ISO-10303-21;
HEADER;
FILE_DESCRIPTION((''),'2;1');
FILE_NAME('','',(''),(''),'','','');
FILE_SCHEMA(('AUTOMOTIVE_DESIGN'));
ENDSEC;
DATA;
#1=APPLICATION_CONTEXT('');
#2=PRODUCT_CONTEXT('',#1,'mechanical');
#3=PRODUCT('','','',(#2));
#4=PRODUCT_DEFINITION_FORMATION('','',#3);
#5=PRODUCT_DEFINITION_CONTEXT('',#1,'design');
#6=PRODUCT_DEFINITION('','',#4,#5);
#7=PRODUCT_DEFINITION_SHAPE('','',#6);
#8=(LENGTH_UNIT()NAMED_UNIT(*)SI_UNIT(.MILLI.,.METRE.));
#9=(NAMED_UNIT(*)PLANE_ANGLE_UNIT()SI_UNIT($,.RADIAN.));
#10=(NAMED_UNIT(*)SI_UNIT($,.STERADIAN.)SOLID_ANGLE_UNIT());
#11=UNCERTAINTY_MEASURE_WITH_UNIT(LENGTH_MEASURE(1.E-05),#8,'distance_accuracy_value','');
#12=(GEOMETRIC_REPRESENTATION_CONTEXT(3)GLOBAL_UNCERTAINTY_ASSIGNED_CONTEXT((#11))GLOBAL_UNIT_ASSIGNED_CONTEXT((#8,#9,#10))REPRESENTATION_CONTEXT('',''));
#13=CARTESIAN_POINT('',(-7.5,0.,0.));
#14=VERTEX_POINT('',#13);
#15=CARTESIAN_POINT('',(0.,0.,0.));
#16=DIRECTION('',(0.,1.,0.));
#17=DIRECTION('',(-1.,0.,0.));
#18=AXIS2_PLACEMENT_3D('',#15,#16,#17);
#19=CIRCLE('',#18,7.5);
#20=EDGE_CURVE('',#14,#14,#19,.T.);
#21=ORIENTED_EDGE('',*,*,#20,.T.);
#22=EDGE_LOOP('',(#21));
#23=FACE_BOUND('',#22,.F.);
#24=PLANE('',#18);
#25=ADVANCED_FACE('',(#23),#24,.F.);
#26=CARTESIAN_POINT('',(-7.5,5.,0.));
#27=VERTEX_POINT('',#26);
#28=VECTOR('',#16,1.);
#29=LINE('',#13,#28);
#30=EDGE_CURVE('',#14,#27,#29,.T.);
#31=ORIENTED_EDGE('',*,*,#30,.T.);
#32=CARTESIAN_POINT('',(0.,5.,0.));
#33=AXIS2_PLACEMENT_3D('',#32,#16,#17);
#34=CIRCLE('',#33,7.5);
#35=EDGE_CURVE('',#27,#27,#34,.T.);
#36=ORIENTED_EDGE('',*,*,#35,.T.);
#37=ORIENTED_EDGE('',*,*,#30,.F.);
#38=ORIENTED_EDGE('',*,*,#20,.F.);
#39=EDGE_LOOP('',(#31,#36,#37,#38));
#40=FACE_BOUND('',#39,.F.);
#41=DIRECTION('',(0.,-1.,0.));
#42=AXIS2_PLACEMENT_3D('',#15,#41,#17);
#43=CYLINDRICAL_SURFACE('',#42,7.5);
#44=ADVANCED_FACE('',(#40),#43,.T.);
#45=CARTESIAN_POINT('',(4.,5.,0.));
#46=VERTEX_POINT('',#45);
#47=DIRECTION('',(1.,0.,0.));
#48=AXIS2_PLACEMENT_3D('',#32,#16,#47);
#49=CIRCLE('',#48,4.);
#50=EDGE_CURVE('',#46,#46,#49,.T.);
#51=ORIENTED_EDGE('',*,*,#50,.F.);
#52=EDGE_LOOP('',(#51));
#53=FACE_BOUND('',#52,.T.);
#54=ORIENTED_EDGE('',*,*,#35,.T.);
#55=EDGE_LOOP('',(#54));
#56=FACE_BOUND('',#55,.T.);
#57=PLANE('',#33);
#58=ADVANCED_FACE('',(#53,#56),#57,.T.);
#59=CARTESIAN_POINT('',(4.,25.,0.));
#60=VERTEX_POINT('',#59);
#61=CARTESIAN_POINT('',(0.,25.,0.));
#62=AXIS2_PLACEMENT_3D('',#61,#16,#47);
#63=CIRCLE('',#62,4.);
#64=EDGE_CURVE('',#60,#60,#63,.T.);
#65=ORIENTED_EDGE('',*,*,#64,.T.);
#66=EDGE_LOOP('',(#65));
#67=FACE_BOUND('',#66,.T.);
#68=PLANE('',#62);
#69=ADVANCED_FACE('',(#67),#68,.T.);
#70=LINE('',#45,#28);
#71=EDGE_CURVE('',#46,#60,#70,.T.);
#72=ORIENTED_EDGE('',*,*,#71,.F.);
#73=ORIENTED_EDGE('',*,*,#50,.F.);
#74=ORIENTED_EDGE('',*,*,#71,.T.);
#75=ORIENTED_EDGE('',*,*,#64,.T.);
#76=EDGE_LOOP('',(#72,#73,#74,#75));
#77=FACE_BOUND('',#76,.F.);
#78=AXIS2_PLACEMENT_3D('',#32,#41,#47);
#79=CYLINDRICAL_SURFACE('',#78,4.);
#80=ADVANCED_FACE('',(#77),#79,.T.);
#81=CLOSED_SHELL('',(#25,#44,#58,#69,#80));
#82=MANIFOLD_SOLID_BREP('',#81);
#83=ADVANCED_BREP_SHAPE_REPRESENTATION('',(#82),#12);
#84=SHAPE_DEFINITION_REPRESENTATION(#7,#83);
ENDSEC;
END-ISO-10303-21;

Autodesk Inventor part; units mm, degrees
ref_plane "YZ Plane" through (0, 0, 0) normal (1, 0, 0) x (0, 1, 0)
ref_plane "XZ Plane" through (0, 0, 0) normal (0, 1, 0) x (-1, 0, 0)
ref_plane "XY Plane" through (0, 0, 0) normal (0, 0, 1) x (1, 0, 0)
sketch "Sketch1" plane through (0, 0, 0) normal (0, 1, 0) x (-1, 0, 0)
  circle A0 centre (0, 0) radius 7.5
  dimension "d0" = 15
extrude "Extrusion1" add sketch "Sketch1" along normal blind 5
sketch "Sketch2" plane through (0, 5, 0) normal (0, 1, 0) x (1, 0, 0)
  circle A0 centre (0, 0) radius 4
  dimension "d3" = 8
extrude "Extrusion2" add sketch "Sketch2" along normal blind 20
properties part number "Shaft Blot"
